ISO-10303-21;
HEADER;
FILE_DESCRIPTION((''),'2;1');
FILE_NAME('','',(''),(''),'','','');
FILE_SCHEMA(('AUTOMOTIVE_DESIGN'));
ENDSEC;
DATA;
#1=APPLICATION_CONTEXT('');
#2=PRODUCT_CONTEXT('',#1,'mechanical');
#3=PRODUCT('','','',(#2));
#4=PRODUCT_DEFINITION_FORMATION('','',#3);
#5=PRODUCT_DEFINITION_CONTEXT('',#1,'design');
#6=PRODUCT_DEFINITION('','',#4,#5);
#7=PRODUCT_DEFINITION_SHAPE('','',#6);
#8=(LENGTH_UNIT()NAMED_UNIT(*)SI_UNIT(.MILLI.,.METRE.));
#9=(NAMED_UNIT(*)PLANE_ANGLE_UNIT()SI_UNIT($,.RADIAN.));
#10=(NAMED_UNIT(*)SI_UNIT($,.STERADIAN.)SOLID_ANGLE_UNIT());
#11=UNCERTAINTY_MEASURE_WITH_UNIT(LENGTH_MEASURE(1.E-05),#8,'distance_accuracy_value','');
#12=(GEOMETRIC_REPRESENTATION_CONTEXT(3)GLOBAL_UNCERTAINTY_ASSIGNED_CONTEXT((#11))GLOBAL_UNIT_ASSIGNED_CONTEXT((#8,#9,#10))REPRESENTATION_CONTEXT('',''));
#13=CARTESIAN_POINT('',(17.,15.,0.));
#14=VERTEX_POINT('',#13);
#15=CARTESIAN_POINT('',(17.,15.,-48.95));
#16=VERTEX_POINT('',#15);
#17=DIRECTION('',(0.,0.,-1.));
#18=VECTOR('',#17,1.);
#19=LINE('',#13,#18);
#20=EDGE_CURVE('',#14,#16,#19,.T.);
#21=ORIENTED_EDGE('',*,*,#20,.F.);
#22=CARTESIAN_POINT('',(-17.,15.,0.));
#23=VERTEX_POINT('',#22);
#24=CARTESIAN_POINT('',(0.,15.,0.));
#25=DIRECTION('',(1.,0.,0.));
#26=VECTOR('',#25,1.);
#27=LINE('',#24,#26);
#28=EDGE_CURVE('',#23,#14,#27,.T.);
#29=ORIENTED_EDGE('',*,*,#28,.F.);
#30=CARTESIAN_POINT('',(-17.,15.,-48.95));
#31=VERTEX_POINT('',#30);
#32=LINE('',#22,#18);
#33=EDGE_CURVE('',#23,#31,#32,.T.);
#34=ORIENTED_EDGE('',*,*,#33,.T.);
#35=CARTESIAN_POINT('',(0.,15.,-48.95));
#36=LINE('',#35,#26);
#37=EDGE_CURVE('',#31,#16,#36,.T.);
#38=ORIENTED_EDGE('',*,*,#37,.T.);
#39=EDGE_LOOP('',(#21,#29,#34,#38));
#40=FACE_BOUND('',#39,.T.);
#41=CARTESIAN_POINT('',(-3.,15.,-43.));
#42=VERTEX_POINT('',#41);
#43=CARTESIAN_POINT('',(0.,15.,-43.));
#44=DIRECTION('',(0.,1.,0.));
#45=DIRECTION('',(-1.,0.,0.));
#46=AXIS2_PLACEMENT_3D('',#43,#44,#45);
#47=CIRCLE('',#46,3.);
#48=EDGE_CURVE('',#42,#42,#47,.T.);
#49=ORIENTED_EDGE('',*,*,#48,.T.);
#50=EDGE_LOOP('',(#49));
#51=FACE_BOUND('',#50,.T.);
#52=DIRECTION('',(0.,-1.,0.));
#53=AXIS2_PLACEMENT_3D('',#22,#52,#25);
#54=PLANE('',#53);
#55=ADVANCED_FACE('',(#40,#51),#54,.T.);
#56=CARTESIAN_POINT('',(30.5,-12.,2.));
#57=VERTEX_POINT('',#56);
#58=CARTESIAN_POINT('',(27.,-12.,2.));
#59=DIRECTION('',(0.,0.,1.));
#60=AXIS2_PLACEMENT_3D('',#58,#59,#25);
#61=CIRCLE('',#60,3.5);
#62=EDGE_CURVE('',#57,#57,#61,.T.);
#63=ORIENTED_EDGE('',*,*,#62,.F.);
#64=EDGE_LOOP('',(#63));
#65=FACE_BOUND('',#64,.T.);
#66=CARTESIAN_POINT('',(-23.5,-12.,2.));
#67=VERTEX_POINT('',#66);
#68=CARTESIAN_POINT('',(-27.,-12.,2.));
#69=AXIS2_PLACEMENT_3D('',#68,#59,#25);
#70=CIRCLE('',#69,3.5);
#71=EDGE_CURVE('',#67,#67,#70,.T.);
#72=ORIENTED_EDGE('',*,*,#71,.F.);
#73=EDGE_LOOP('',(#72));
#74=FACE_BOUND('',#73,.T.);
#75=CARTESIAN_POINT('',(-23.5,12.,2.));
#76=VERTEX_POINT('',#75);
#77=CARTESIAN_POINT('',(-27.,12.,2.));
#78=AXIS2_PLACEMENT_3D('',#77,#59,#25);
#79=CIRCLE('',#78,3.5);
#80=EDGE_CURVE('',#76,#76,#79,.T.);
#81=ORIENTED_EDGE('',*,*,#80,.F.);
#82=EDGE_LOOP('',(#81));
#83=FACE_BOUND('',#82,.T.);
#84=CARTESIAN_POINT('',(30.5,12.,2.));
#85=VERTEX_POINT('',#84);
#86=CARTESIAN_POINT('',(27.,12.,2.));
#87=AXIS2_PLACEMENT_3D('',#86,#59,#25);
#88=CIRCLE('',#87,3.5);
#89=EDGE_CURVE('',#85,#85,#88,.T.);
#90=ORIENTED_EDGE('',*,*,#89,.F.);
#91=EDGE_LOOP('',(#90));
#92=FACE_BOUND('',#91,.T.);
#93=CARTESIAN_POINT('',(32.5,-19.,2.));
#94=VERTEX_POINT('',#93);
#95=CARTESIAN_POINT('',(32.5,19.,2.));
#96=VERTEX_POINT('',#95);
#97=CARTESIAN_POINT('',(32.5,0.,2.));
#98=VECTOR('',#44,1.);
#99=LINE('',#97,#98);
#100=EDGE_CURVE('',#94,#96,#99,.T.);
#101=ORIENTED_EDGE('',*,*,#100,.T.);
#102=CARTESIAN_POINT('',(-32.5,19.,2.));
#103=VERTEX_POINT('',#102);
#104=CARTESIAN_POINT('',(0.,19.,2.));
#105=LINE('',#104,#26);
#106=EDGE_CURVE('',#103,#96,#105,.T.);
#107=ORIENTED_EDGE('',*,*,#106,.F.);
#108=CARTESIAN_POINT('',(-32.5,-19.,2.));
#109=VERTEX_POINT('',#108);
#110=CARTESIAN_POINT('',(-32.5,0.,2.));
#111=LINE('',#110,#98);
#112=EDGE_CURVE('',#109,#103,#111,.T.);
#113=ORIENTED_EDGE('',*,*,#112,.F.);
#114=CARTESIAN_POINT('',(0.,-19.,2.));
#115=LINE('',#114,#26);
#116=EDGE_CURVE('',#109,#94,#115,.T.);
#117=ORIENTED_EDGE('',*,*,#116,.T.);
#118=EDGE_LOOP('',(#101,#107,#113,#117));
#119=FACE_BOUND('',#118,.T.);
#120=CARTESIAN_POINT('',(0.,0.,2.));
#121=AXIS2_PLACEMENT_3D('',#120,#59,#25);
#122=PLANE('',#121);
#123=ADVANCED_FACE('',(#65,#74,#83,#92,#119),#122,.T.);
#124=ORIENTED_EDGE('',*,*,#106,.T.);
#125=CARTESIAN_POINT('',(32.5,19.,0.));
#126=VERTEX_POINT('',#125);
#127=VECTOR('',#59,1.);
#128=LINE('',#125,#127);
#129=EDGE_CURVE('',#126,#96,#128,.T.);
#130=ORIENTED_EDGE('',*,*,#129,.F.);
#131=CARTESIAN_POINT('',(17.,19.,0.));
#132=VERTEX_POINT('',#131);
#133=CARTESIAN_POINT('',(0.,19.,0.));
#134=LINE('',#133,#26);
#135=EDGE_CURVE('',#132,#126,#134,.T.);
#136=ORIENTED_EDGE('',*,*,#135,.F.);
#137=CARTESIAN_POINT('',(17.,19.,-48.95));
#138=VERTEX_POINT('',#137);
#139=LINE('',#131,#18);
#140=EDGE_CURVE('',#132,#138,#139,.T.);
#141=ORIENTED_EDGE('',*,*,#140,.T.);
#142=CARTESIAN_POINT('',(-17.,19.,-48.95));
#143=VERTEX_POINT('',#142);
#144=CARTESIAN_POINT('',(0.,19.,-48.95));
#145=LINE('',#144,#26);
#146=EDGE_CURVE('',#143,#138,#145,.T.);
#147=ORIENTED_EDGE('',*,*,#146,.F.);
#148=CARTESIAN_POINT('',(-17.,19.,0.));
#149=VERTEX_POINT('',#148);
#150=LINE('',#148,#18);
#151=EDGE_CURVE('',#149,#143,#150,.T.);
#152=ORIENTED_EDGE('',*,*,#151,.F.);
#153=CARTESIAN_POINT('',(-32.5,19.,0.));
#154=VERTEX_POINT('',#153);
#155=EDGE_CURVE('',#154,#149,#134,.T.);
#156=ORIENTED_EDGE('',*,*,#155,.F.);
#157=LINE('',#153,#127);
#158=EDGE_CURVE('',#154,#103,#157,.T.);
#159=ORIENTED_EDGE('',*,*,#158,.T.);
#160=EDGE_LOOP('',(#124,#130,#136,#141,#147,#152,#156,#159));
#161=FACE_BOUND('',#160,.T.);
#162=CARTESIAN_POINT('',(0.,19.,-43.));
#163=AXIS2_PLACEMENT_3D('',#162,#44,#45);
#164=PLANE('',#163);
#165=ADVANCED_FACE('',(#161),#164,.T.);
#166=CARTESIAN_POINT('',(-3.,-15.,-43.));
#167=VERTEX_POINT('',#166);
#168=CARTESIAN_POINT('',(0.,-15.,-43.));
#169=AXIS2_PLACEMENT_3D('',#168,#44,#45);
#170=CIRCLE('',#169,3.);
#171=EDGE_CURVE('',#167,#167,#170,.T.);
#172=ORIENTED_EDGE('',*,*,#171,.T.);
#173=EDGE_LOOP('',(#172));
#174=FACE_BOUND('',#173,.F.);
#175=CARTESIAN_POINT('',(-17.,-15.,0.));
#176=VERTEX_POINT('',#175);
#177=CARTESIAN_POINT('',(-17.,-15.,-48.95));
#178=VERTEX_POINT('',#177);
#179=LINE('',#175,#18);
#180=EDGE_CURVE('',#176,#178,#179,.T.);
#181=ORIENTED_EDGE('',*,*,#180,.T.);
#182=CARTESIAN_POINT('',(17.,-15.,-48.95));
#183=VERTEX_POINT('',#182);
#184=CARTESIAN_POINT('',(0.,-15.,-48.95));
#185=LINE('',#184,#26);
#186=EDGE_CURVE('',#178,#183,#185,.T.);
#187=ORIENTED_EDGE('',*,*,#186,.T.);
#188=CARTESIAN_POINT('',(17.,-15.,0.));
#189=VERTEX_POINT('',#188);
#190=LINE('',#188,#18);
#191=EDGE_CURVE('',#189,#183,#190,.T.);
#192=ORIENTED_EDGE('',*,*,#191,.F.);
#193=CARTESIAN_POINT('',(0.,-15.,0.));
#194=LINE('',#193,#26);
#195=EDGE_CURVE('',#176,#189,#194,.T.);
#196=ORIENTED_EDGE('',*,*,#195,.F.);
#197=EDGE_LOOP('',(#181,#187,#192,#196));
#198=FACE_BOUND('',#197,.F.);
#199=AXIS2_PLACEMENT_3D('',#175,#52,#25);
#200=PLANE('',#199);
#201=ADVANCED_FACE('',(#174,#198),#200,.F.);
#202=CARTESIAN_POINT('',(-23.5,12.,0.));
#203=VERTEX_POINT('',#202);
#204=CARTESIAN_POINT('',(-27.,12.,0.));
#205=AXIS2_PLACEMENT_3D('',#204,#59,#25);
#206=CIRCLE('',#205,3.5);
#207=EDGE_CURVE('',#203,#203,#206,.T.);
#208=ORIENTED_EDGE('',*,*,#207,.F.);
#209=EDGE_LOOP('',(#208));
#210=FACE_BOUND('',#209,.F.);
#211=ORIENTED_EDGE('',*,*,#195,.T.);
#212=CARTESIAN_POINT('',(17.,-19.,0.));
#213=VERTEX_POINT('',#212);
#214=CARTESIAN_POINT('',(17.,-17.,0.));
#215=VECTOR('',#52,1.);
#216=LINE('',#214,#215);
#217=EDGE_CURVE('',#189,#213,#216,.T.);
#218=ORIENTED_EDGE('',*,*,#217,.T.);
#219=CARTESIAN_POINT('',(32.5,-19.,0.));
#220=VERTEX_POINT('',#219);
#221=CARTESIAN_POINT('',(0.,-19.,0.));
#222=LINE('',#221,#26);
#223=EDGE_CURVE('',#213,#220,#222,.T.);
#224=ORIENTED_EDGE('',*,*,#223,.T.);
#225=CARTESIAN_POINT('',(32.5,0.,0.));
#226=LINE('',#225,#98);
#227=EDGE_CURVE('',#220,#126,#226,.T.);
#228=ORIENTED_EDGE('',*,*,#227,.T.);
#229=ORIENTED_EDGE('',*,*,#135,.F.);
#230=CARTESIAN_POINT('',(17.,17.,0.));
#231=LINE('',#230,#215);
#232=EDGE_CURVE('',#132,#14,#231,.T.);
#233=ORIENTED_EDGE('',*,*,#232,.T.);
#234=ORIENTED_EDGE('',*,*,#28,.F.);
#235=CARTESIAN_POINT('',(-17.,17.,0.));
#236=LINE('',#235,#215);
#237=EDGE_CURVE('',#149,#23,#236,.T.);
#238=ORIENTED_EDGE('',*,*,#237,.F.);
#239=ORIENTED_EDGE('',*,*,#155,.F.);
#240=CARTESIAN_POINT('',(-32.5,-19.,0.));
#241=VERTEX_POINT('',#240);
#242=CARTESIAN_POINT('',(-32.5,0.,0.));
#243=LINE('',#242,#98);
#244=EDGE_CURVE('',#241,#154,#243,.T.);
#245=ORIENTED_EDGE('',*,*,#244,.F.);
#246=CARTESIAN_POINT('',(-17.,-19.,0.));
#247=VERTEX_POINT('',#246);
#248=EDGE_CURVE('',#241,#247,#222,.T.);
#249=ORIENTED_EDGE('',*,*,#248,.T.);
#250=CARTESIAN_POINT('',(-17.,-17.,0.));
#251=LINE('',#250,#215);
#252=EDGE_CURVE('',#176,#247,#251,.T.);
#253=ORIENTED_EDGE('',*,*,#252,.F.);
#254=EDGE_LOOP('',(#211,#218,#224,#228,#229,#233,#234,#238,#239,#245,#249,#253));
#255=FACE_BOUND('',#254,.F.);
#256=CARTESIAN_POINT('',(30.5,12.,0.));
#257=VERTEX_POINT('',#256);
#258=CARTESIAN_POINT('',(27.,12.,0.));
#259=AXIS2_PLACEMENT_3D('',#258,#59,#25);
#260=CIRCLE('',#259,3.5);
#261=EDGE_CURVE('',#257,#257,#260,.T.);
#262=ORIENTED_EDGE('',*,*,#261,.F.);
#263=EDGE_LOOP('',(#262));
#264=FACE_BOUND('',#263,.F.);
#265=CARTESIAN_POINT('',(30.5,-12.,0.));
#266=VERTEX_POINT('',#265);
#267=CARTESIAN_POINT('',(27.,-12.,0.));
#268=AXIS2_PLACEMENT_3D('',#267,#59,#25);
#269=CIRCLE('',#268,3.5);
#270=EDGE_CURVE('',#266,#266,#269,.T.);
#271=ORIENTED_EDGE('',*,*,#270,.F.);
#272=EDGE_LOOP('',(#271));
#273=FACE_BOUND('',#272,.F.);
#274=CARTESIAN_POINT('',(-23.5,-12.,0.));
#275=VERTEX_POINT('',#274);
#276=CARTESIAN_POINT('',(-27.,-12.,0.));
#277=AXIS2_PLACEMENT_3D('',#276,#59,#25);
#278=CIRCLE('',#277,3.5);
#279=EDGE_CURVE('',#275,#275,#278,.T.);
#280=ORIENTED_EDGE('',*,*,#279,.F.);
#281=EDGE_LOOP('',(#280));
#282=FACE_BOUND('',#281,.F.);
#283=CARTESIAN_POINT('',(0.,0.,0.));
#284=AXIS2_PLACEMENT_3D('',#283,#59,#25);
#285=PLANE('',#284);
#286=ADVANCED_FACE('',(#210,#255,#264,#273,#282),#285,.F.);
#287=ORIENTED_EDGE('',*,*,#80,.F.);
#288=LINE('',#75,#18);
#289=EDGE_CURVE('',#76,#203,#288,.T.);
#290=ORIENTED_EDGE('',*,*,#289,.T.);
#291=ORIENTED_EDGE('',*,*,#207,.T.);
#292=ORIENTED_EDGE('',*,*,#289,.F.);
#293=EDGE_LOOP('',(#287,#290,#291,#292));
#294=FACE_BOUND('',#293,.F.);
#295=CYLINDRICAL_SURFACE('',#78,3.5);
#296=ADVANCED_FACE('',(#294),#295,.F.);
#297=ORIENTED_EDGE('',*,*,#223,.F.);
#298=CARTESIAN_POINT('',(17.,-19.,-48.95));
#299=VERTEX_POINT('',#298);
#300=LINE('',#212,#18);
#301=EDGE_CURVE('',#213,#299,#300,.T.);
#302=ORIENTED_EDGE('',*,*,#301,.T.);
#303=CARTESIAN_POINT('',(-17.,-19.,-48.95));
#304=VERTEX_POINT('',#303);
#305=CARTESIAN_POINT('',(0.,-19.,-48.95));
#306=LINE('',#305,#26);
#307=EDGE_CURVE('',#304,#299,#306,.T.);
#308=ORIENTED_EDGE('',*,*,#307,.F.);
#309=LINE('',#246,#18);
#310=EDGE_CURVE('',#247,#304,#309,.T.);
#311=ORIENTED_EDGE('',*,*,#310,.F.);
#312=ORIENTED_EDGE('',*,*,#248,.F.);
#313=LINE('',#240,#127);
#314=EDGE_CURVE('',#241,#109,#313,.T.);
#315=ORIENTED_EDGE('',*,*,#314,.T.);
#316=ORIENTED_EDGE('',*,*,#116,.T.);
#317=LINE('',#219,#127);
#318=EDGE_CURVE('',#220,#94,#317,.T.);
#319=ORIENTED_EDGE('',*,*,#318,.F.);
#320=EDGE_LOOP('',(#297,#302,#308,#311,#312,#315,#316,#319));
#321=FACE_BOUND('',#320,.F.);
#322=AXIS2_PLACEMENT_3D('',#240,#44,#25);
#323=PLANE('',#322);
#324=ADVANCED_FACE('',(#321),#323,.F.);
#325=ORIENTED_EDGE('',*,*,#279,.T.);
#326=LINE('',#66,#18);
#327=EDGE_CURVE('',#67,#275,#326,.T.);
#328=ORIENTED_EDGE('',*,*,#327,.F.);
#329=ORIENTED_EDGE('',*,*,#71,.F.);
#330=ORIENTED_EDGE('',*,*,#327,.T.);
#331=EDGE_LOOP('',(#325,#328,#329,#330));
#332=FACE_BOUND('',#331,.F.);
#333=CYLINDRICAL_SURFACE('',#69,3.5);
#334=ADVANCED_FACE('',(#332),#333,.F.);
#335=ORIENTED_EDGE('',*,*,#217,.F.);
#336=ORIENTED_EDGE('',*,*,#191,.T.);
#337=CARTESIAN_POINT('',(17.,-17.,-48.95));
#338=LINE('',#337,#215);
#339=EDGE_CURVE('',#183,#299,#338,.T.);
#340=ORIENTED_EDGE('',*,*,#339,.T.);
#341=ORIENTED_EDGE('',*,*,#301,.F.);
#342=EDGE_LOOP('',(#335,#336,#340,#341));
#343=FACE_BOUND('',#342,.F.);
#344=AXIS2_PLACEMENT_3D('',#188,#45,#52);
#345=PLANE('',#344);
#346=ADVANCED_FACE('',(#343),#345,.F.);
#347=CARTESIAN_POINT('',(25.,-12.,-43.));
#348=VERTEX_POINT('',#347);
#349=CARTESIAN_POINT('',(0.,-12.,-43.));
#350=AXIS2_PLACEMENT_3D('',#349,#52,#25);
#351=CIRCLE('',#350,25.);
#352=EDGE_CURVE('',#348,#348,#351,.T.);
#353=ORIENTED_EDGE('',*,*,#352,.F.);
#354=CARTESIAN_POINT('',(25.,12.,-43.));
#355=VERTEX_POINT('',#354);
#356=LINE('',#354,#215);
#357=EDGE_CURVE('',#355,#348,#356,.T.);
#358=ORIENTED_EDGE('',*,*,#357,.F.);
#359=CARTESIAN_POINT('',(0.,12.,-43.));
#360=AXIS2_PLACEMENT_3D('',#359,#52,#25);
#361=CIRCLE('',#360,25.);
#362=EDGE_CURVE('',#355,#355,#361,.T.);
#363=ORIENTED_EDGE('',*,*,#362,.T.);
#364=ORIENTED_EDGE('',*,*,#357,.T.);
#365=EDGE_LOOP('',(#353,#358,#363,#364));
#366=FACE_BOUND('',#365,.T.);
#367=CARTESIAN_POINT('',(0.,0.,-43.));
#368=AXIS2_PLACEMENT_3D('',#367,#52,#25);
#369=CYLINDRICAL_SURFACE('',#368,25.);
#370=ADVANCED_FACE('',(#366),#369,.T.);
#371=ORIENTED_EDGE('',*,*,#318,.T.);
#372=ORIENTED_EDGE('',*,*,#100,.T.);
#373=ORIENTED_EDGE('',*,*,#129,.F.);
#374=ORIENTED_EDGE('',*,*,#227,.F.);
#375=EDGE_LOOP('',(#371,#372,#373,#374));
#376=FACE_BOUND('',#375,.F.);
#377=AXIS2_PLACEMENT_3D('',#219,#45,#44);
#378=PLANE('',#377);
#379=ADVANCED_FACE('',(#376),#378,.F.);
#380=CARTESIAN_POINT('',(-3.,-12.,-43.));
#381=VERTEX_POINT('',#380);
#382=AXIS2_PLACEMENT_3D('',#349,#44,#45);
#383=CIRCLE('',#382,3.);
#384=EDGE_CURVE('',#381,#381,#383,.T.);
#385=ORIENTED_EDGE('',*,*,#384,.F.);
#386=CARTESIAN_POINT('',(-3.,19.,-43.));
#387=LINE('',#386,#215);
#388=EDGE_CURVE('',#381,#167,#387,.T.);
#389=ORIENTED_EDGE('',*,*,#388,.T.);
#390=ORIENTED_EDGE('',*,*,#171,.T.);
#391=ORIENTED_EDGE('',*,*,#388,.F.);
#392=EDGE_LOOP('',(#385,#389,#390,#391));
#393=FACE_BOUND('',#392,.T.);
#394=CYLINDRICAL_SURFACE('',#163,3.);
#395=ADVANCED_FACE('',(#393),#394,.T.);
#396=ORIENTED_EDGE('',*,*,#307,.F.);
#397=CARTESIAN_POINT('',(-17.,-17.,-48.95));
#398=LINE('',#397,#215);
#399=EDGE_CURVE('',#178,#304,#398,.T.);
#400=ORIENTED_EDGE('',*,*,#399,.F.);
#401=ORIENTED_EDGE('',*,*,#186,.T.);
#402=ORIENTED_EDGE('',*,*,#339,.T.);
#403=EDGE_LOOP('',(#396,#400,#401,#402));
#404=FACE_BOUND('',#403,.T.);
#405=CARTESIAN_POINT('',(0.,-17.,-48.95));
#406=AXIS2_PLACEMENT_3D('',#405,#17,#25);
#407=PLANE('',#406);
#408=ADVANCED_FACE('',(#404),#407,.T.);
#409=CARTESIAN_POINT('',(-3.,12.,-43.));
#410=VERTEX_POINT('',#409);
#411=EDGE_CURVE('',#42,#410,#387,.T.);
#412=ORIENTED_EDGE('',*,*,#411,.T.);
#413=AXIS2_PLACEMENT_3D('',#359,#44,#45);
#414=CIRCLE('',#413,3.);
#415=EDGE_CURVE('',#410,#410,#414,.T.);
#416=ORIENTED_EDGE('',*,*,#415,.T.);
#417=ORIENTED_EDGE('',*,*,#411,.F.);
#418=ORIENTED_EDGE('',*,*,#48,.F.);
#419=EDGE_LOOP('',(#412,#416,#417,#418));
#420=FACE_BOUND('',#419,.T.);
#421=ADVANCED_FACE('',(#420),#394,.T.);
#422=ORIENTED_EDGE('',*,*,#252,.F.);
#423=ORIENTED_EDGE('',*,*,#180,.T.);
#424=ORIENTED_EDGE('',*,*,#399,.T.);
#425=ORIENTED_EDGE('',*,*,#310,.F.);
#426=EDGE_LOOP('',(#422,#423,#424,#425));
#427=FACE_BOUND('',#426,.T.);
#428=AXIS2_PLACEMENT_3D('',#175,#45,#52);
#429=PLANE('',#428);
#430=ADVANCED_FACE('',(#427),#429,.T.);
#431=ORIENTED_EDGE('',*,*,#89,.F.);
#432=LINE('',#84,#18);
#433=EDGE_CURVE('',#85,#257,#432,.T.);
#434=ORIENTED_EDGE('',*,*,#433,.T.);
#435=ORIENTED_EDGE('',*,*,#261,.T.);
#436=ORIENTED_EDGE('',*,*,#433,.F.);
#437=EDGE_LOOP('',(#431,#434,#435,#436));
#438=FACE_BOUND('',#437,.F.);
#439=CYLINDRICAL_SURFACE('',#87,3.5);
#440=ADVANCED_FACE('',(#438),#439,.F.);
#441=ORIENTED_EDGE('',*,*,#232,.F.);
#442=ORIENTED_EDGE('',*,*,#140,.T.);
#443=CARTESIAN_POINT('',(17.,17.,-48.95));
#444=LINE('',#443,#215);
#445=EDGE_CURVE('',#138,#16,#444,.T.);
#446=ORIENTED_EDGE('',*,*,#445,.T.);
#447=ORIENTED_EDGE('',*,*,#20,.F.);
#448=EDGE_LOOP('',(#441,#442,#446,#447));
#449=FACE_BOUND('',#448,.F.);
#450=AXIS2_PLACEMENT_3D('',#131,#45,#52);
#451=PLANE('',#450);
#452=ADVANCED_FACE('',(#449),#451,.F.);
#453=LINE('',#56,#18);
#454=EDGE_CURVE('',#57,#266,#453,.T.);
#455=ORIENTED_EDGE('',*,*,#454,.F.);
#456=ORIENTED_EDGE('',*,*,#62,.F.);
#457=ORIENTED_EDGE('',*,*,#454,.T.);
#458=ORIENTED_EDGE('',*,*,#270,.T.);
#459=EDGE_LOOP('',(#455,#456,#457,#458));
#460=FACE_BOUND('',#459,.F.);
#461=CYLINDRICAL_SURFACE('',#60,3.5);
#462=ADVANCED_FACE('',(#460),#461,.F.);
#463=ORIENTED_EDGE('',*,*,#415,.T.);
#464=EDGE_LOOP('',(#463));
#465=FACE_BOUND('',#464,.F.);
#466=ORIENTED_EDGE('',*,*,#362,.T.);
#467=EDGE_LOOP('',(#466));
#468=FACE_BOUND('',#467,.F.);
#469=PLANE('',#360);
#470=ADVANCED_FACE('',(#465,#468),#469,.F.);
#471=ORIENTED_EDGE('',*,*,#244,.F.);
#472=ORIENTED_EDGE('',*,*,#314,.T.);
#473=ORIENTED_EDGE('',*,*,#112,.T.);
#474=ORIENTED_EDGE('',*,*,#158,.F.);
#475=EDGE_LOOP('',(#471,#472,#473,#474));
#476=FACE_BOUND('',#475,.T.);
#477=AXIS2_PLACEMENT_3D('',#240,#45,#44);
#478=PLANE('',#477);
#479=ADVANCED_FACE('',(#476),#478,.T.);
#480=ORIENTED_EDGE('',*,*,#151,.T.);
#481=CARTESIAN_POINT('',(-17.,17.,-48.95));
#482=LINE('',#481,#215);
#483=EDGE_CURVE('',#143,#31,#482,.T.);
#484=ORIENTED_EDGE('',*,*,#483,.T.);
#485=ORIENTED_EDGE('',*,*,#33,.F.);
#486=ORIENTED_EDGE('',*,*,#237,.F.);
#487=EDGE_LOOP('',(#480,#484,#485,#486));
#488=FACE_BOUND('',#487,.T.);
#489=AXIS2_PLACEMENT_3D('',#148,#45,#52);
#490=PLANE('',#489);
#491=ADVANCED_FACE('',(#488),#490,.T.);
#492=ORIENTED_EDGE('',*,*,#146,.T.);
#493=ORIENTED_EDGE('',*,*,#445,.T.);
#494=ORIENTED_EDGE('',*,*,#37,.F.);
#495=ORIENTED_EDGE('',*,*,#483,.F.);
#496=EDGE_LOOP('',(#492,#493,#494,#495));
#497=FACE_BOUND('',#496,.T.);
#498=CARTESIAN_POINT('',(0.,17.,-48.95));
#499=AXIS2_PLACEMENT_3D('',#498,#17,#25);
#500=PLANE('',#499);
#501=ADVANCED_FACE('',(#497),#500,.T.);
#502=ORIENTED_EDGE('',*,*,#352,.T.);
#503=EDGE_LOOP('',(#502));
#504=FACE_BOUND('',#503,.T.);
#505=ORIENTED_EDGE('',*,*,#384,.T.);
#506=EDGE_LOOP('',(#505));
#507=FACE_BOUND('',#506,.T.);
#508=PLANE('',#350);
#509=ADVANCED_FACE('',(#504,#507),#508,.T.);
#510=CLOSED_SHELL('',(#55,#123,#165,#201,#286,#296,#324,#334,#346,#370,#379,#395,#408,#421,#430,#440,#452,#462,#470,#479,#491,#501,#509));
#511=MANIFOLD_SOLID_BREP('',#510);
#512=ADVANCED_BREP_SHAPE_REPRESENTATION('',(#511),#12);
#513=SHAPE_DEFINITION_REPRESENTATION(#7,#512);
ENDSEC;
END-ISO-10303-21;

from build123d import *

# Parameters (mm, degrees)
F0_W           = 65
F0_H           = 38
F1_DEPTH       = 2
F2_W           = 34
F2_H           = 4
F3_DEPTH       = 48.95
F5_R           = 3.5
F6_DEPTH       = 3000
F4_R           = 25
F7_DEPTH       = 12
F9_R           = 3
F10_DEPTH      = 38
F11_R          = 25
F12_DEPTH      = 12
F12_DEPTH_BACK = 12


with BuildPart() as f1:
    # F0 (on Top) → F1 (new body)
    with BuildSketch(Plane.XY):
        Rectangle(F0_W, F0_H)
    extrude(amount=F1_DEPTH)

    # F2 (on face) → F3 (join)
    with BuildSketch(Plane(origin=(0, 0, 0), x_dir=(1, 0, 0), z_dir=(0, 0, -1))):
        with Locations((0, 17)):
            Rectangle(F2_W, F2_H)
        with Locations((0, -17)):
            Rectangle(F2_W, F2_H)
    extrude(amount=F3_DEPTH)

    # F5 (on face) → F6 (cut)
    with BuildSketch(Plane.XY.offset(2)):
        with Locations((27, 12)):
            Circle(F5_R)
        with Locations((27, -12)):
            Circle(F5_R)
        with Locations((-27, -12)):
            Circle(F5_R)
        with Locations((-27, 12)):
            Circle(F5_R)
    extrude(amount=-F6_DEPTH, mode=Mode.SUBTRACT)

    # F9 (on face) → F10 (join)
    with BuildSketch(Plane(origin=(0, 19, 0), x_dir=(-1, 0, 0), z_dir=(0, 1, 0))):
        with Locations((0, -43)):
            Circle(F9_R)
    extrude(amount=-F10_DEPTH)

    # F11 (on Front) → F12 (join, two sides)
    with BuildSketch(Plane.XZ) as f12_sk:
        with Locations((0, -43)):
            Circle(F11_R)
    extrude(amount=F12_DEPTH)
    extrude(f12_sk.sketch, amount=-F12_DEPTH_BACK)


with BuildPart() as f7:
    # F4 (on Front) → F7 (new body, symmetric)
    with BuildSketch(Plane.XZ):
        with Locations((0, -43)):
            Circle(F4_R)
    extrude(amount=F7_DEPTH, both=True)


solid = f1.part
